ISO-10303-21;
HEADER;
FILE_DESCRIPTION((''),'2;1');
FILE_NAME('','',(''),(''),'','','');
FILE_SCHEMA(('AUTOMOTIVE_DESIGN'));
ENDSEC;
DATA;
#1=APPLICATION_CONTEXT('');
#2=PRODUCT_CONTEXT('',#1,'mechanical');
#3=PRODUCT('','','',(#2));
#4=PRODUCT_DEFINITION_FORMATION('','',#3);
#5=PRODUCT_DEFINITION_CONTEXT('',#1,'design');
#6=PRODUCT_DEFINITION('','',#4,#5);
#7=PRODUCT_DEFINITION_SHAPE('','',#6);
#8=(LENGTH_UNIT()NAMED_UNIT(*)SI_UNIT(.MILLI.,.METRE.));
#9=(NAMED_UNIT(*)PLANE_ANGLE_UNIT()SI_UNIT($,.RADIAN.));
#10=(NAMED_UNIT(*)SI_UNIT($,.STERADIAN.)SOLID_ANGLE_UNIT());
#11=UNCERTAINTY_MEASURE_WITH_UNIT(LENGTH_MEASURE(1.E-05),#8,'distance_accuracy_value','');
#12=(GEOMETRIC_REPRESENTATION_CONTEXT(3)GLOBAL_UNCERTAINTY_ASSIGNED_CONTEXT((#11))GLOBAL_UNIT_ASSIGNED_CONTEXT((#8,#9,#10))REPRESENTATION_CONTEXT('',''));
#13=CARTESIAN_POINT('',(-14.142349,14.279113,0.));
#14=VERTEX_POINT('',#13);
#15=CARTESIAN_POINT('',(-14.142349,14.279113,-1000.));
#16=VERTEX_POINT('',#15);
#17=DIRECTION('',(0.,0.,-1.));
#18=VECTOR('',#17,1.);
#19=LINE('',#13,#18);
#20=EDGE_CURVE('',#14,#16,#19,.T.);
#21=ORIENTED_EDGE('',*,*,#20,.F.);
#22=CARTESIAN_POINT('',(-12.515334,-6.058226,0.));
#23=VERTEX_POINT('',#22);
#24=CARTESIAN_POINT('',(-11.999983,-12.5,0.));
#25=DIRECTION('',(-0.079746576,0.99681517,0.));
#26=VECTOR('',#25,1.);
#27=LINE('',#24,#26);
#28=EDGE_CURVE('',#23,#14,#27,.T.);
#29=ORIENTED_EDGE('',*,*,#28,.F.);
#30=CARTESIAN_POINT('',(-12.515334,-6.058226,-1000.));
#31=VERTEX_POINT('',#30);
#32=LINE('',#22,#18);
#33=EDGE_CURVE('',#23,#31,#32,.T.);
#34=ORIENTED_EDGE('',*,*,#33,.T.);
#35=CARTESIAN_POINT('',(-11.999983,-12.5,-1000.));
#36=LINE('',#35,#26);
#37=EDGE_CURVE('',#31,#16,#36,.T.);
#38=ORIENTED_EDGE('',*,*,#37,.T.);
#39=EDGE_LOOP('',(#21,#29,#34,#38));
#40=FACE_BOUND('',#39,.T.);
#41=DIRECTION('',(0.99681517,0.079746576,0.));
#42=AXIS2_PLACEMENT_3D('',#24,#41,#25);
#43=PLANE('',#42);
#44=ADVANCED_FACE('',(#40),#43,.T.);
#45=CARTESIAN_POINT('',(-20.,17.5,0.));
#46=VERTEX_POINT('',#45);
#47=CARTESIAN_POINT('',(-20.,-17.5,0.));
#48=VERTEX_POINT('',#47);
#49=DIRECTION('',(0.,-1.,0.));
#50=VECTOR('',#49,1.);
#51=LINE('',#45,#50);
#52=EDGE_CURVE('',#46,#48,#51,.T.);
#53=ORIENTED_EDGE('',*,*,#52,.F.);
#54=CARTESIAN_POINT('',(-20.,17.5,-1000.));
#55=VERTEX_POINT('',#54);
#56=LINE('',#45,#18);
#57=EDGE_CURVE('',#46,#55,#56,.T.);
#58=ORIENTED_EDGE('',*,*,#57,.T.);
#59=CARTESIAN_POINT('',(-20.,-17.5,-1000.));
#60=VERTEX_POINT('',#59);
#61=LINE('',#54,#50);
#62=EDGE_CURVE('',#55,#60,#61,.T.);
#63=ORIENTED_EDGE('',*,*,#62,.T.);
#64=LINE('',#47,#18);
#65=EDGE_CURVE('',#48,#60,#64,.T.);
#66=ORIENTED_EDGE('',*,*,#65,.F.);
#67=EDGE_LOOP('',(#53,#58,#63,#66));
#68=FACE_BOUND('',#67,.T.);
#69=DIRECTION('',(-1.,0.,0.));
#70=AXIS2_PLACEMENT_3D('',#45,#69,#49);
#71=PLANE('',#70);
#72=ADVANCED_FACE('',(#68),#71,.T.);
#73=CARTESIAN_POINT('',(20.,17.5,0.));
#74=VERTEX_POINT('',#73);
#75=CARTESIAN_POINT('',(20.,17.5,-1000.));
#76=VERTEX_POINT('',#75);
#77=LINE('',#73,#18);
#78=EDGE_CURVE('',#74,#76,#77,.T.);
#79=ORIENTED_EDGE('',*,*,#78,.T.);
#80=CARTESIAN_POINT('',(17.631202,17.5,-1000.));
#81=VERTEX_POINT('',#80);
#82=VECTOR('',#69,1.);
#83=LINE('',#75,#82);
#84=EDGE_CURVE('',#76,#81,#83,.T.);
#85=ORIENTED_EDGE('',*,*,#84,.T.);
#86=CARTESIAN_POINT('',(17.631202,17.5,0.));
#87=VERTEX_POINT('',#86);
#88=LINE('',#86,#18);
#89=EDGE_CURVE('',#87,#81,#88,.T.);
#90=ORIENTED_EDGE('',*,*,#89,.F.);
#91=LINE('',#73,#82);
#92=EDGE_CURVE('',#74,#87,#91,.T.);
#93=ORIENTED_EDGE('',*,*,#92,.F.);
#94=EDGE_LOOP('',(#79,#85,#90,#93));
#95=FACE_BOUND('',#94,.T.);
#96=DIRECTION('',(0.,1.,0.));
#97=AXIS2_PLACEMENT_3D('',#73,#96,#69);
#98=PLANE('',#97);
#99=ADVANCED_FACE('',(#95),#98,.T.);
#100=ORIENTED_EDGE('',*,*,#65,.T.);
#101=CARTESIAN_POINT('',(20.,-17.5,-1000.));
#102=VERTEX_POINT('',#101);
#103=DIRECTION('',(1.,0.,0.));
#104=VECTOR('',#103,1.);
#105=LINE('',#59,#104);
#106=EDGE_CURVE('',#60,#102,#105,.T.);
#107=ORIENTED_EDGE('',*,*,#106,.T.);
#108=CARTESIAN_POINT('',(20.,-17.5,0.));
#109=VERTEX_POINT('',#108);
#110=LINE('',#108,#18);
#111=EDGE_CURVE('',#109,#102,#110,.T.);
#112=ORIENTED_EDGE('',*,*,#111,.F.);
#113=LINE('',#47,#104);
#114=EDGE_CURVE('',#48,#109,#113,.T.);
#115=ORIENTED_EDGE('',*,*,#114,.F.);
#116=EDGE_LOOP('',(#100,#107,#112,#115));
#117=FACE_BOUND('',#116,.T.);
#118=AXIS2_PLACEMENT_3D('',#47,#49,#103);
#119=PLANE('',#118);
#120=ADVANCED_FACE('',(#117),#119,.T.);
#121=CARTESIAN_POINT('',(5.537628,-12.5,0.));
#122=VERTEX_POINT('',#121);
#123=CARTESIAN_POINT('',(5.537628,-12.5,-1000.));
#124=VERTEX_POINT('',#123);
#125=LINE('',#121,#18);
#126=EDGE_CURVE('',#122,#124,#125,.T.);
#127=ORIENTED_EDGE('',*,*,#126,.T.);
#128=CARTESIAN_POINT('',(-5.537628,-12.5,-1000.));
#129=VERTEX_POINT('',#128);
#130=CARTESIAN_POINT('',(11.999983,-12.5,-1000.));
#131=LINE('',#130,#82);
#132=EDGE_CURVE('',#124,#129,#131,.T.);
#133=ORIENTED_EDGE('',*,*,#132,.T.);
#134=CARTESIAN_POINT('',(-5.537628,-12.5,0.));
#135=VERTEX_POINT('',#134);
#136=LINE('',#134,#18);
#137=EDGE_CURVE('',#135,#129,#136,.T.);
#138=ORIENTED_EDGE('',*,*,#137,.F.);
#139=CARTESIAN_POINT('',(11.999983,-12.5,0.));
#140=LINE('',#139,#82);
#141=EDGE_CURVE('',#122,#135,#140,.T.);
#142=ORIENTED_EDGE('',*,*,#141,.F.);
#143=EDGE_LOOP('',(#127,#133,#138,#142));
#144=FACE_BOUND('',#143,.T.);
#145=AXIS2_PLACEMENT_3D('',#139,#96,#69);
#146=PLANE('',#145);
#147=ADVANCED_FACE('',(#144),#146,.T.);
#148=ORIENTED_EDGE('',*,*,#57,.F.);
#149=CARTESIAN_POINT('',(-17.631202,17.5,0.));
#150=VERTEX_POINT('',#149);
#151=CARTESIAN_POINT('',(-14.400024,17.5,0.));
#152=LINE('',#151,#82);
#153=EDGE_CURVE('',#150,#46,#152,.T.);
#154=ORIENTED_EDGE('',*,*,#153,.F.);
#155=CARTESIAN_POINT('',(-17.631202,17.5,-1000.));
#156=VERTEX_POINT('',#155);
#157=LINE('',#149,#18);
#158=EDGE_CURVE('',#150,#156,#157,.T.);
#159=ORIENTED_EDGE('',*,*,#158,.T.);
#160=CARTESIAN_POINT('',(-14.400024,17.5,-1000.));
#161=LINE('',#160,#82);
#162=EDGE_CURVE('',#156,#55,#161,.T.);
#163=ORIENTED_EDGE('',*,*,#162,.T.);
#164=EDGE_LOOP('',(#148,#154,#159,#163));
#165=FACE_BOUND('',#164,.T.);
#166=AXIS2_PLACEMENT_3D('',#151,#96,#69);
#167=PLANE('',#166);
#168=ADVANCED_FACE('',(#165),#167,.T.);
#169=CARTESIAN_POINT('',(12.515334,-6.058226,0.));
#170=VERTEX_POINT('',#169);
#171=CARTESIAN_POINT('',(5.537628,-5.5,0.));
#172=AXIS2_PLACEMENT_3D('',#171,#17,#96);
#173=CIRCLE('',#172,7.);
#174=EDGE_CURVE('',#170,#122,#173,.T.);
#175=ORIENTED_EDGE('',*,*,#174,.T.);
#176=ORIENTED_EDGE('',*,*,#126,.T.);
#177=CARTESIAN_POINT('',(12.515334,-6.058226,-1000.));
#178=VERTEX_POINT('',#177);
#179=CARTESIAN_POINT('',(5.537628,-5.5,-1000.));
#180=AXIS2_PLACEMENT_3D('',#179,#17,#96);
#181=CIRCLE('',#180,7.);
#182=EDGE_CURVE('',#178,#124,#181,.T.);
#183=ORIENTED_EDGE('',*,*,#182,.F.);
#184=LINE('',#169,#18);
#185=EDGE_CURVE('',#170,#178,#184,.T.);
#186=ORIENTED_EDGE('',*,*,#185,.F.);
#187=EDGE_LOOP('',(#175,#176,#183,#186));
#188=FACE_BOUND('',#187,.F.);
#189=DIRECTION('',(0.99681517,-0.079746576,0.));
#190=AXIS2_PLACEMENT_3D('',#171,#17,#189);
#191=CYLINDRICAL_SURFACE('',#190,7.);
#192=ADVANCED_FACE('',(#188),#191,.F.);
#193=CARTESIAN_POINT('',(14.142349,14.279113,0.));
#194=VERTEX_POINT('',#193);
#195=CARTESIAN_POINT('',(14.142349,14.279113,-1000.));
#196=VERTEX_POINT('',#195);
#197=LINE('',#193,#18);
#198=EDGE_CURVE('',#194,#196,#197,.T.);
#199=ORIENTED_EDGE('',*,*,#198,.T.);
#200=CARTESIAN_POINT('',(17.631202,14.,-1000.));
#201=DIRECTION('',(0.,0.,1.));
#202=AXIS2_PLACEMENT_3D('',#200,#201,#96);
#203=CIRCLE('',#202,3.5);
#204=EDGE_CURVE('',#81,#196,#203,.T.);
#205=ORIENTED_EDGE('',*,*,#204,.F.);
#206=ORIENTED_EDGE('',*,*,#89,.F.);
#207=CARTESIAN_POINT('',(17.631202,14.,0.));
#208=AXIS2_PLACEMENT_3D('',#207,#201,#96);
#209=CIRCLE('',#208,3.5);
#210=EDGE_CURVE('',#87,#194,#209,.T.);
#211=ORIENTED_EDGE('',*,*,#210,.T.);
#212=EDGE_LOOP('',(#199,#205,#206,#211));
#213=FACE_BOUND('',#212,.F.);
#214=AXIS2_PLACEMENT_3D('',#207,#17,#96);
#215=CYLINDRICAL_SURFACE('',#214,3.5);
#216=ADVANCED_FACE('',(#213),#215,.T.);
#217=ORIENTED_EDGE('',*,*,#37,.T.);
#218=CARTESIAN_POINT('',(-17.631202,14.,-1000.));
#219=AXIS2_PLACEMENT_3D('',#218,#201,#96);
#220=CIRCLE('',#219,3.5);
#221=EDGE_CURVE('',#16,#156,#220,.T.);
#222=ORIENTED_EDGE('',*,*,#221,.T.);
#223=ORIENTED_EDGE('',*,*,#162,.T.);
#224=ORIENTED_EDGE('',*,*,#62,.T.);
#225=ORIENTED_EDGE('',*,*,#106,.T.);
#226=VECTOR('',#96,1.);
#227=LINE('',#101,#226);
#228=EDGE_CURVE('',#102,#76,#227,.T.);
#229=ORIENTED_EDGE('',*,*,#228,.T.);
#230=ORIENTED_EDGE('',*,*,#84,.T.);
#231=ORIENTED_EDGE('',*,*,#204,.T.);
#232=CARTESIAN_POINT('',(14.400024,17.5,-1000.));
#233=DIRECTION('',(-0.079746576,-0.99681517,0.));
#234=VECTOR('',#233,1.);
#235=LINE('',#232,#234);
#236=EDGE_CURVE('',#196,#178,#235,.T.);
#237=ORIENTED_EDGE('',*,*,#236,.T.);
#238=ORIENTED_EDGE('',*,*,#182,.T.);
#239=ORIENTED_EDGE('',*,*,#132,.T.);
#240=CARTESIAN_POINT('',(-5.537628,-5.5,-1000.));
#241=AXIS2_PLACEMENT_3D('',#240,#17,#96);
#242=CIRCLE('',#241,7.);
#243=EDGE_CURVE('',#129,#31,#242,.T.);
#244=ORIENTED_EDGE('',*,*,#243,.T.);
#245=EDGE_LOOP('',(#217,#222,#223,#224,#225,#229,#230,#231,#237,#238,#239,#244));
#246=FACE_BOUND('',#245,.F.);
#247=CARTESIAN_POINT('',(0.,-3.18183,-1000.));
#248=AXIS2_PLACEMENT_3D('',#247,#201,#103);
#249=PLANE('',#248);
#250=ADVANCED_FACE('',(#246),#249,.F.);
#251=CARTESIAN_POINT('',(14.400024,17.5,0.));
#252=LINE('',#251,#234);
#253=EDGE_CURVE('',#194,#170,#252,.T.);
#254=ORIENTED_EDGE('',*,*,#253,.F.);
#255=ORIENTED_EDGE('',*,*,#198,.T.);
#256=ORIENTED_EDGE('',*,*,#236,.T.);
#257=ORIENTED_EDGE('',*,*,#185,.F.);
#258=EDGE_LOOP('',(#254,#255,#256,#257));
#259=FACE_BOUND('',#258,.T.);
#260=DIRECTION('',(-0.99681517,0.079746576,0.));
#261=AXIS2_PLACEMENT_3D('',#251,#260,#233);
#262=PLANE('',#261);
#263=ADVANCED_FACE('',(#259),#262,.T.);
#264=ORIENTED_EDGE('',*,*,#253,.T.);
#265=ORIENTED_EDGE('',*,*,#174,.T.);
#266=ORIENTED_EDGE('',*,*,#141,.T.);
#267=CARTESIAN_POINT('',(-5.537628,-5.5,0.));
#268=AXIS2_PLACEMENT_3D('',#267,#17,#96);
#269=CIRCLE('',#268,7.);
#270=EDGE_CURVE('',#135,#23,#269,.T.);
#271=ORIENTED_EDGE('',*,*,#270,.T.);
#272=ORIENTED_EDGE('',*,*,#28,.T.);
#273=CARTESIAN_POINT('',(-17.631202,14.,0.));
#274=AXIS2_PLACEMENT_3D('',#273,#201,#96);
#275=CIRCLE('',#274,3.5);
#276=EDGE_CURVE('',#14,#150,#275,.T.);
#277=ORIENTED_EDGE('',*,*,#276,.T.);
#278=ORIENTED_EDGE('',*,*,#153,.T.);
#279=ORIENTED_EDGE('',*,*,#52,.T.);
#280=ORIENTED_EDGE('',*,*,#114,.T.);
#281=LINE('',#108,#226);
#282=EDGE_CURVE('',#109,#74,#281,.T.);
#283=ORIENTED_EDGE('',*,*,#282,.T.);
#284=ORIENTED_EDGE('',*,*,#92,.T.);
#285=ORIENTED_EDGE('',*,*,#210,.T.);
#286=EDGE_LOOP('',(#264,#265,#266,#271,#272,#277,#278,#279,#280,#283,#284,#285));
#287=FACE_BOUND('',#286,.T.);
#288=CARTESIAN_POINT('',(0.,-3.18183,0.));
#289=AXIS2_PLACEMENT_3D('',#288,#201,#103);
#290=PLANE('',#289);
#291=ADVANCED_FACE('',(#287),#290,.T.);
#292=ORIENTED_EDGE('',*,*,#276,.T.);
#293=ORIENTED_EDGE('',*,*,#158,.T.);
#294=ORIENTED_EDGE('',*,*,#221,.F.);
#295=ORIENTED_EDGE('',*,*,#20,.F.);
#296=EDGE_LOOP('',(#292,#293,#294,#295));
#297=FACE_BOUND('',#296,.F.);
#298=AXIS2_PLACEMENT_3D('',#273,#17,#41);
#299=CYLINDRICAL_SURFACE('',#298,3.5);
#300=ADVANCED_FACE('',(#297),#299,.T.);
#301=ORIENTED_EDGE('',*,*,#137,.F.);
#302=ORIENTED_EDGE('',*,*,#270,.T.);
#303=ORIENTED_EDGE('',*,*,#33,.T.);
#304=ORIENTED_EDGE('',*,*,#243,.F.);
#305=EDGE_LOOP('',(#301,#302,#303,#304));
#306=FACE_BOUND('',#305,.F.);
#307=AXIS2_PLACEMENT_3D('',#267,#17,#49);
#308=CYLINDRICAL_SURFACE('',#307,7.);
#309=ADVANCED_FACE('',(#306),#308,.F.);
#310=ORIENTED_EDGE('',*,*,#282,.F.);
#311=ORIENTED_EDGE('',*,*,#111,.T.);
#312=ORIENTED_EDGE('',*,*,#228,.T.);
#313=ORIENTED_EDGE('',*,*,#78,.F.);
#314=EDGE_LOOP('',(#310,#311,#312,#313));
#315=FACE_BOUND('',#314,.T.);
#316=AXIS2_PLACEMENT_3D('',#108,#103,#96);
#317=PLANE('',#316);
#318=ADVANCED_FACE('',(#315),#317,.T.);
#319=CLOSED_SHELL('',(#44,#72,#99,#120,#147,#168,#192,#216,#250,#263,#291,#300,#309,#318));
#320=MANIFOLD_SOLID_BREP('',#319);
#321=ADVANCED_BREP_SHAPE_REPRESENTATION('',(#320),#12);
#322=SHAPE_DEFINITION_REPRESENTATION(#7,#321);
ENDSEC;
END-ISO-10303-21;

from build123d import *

# Parameters (mm, degrees)
F1_DEPTH = 1000
F2_R     = 3.5
F3_R     = 7


with BuildPart() as f1:
    # F0 (on Top) → F1 (new body)
    with BuildSketch(Plane.XY):
        Polygon((-20, 17.5), (-20, -17.5), (20, -17.5), (20, 17.5), (14.400024, 17.5), (11.999983, -12.5), (-11.999983, -12.5), (-14.400024, 17.5), align=None)
    extrude(amount=-F1_DEPTH)

    # F2
    f2_edges = [f1.edges().sort_by_distance(p)[0] for p in [
        (-14.400024, 17.5, -500),
        (14.400024, 17.5, -500),
    ]]
    fillet(f2_edges, radius=F2_R)

    # F3
    f3_edges = [f1.edges().sort_by_distance(p)[0] for p in [
        (-11.999983, -12.5, -500),
        (11.999983, -12.5, -500),
    ]]
    fillet(f3_edges, radius=F3_R)


solid = f1.part
